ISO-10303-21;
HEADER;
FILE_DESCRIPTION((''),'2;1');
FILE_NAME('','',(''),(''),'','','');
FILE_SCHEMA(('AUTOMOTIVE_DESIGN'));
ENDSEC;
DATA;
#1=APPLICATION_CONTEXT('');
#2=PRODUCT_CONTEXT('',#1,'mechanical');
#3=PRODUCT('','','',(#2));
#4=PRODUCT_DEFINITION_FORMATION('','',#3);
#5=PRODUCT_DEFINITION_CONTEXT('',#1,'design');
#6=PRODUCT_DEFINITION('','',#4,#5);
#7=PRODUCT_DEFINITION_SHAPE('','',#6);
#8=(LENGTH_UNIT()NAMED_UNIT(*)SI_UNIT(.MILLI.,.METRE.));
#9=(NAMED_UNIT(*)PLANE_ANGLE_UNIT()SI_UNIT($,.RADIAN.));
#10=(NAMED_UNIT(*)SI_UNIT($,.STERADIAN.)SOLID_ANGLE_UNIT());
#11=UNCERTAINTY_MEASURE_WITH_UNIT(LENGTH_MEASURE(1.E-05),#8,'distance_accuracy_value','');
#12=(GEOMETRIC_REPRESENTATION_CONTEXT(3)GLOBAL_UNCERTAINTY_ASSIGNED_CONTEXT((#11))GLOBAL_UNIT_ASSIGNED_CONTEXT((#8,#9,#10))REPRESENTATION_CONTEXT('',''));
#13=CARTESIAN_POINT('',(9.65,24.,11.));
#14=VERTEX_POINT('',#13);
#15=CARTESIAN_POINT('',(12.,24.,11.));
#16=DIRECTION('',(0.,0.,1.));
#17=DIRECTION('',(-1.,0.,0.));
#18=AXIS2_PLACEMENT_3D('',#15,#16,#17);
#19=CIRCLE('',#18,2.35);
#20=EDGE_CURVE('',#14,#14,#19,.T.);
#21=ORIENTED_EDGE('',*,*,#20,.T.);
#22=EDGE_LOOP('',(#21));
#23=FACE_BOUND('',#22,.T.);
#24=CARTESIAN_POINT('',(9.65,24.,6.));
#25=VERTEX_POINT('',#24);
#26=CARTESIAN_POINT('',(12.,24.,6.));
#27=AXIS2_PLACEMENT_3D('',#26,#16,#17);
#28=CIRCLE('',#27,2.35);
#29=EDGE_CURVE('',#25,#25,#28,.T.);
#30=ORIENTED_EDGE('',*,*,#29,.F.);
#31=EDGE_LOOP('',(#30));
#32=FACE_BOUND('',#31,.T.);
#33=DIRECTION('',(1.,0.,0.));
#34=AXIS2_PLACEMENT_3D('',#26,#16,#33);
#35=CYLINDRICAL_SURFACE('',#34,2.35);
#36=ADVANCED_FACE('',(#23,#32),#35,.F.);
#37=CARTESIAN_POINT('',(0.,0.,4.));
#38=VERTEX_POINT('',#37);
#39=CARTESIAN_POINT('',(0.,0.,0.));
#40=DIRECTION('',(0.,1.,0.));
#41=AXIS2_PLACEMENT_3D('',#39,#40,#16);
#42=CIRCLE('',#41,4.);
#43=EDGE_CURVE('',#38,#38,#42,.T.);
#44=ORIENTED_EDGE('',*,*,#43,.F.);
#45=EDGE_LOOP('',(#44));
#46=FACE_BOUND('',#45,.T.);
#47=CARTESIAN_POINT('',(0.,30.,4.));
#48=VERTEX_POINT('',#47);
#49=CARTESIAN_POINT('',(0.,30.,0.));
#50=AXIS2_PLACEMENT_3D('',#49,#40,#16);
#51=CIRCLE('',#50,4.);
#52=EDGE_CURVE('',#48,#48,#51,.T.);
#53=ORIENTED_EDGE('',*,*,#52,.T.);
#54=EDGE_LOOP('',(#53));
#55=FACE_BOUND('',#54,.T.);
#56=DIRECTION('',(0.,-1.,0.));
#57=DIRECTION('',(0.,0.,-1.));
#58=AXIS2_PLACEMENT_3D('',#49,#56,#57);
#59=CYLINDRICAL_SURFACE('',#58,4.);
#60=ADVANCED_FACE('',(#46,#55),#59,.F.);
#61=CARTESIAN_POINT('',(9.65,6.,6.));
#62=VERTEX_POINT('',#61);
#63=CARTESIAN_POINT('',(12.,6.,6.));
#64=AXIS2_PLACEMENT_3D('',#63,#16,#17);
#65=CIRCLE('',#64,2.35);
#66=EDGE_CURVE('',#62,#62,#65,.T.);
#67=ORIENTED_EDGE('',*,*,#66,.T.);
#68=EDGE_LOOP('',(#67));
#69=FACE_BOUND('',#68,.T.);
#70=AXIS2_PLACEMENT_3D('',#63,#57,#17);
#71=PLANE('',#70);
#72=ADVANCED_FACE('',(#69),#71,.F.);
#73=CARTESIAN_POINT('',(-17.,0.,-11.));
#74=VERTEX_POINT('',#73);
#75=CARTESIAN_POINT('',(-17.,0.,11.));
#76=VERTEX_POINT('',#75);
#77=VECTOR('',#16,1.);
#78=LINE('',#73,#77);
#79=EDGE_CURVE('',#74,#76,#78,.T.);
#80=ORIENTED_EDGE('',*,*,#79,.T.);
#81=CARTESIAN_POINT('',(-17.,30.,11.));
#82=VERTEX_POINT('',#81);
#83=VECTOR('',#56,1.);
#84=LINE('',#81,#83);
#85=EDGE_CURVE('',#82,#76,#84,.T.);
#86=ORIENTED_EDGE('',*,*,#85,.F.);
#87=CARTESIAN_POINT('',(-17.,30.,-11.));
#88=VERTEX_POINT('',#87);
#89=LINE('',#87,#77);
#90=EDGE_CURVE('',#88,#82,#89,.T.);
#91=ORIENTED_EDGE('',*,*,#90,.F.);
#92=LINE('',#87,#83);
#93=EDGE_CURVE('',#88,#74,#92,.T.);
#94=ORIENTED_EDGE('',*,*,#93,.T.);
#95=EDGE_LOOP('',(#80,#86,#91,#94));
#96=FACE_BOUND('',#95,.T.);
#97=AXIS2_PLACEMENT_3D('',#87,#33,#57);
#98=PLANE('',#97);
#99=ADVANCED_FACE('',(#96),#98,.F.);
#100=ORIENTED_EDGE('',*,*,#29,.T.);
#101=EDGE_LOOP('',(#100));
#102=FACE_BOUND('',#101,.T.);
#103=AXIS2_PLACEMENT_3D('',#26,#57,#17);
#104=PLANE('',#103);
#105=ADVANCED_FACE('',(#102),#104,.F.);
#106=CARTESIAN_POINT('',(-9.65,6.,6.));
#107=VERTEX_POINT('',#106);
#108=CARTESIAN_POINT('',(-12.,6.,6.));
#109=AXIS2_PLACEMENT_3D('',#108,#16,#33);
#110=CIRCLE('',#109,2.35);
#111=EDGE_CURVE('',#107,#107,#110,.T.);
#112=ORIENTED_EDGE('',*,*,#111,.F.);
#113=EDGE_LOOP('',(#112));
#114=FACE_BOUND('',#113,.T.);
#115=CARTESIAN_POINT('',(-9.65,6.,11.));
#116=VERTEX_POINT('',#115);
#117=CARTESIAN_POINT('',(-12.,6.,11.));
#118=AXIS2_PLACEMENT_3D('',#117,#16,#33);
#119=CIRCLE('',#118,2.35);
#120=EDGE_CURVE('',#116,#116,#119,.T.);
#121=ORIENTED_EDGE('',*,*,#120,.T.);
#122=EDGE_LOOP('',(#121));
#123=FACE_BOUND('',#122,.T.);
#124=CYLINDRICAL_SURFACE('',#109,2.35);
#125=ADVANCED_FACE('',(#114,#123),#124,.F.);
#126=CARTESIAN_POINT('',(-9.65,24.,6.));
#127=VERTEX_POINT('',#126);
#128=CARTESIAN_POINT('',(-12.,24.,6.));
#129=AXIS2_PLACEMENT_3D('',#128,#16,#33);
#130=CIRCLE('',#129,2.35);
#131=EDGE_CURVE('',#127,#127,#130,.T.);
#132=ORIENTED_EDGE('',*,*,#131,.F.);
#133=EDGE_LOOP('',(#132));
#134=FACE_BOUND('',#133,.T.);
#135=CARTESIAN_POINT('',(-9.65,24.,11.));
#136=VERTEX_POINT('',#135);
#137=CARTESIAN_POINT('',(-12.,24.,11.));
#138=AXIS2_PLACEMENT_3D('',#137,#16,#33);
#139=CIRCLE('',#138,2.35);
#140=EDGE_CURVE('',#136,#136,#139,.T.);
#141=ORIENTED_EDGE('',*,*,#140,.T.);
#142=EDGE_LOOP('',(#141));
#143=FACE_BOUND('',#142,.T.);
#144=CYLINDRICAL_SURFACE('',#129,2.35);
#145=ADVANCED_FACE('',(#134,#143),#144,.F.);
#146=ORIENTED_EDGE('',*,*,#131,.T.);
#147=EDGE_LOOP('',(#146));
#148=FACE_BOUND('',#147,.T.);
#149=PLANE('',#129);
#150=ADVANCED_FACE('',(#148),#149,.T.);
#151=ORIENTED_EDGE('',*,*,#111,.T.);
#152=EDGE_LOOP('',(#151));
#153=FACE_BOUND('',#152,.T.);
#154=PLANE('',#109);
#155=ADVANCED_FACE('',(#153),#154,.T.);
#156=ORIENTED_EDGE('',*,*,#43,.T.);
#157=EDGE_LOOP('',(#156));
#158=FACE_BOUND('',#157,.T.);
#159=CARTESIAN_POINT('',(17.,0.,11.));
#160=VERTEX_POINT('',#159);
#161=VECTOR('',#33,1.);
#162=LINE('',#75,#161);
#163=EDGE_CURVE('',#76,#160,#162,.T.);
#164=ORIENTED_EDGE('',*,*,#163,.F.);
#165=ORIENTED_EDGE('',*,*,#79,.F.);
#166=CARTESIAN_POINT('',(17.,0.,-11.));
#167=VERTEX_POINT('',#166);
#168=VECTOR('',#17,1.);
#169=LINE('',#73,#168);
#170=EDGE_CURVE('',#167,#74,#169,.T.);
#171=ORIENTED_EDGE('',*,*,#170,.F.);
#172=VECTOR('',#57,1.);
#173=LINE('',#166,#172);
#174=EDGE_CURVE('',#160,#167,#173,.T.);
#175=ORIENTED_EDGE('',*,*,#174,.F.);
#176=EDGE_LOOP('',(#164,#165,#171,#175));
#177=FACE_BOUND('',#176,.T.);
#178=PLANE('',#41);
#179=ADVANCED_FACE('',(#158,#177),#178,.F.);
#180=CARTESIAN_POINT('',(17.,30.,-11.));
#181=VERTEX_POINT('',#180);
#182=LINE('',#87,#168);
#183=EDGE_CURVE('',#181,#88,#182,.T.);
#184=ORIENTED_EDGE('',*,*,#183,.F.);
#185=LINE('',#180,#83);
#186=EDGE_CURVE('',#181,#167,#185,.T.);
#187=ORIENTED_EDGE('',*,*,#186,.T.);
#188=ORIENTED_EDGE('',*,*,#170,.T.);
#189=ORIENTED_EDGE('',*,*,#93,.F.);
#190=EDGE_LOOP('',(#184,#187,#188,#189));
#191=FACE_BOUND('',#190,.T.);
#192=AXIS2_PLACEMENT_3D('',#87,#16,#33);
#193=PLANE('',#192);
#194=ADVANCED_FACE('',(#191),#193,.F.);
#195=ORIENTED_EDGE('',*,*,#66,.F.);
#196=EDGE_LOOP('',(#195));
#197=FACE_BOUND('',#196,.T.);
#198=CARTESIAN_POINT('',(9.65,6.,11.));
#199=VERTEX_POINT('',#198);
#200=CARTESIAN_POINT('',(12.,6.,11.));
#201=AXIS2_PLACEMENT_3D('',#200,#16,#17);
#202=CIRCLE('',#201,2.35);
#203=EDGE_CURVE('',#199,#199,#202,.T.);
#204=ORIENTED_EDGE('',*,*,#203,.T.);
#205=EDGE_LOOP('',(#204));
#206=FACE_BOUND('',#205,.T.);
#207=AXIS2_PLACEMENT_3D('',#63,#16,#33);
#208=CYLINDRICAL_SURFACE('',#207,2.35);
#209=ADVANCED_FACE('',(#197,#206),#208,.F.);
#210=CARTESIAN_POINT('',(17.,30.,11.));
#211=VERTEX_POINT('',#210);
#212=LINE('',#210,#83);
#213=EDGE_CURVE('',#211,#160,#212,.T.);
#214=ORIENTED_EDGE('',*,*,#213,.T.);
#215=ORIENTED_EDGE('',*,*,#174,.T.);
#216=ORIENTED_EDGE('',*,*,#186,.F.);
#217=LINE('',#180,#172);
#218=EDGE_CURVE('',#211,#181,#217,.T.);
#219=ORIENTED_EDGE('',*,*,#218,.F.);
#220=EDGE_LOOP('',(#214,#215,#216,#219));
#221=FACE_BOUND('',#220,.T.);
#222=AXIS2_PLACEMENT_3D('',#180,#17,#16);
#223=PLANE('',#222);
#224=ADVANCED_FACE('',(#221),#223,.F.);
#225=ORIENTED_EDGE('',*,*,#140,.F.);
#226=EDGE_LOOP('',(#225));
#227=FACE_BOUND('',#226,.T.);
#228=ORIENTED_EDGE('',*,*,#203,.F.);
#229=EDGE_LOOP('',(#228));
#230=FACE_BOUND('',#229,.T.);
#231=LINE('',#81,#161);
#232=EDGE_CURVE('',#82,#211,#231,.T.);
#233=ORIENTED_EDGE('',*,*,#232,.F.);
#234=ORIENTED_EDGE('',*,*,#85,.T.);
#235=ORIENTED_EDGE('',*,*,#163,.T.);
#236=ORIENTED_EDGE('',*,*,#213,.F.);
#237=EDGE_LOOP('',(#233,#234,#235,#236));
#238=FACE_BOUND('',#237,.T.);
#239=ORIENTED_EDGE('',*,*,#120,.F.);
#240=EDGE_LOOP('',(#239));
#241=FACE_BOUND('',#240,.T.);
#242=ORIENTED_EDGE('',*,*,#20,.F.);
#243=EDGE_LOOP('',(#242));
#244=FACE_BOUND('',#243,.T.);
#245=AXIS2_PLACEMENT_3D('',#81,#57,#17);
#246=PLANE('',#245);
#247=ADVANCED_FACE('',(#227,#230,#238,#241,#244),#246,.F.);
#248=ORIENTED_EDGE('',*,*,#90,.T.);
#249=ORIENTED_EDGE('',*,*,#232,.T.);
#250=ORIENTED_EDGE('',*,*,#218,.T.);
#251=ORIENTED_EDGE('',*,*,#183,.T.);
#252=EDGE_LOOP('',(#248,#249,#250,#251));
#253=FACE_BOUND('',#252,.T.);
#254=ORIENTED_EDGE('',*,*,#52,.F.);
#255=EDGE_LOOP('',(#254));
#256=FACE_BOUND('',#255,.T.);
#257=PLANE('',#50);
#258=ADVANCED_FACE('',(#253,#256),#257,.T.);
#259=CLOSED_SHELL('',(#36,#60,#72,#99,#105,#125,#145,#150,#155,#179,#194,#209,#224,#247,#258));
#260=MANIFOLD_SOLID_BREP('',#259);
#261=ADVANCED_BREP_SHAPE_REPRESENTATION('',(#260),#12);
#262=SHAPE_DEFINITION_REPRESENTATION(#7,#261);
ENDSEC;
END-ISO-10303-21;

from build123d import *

# Parameters (mm, degrees)
SKETCH1_W           = 34
SKETCH1_H           = 22
SKETCH1_R           = 4
BOSS_EXTRUDE1_DEPTH = 30
SKETCH3_R           = 2.35
CUT_EXTRUDE1_DEPTH  = 5


with BuildPart() as part:
    # Sketch1 → Boss-Extrude1 (new body)
    with BuildSketch(Plane(origin=(0, 0, 0), x_dir=(1, 0, 0), z_dir=(0, 1, 0))):
        Rectangle(SKETCH1_W, SKETCH1_H)
        with Locations(Location((0, 0, 0), (0, 0, 270))):
            Circle(SKETCH1_R, mode=Mode.SUBTRACT)
    extrude(amount=BOSS_EXTRUDE1_DEPTH)

    # Sketch3 → Cut-Extrude1 (cut)
    with BuildSketch(Plane.XY.offset(11)):
        with Locations((-12, 24)):
            Circle(SKETCH3_R)
        with Locations((-12, 6)):
            Circle(SKETCH3_R)
        with Locations(Location((12, 6, 0), (0, 0, 180))):
            Circle(SKETCH3_R)
        with Locations(Location((12, 24, 0), (0, 0, 180))):
            Circle(SKETCH3_R)
    extrude(amount=-CUT_EXTRUDE1_DEPTH, mode=Mode.SUBTRACT)


solid = part.part
